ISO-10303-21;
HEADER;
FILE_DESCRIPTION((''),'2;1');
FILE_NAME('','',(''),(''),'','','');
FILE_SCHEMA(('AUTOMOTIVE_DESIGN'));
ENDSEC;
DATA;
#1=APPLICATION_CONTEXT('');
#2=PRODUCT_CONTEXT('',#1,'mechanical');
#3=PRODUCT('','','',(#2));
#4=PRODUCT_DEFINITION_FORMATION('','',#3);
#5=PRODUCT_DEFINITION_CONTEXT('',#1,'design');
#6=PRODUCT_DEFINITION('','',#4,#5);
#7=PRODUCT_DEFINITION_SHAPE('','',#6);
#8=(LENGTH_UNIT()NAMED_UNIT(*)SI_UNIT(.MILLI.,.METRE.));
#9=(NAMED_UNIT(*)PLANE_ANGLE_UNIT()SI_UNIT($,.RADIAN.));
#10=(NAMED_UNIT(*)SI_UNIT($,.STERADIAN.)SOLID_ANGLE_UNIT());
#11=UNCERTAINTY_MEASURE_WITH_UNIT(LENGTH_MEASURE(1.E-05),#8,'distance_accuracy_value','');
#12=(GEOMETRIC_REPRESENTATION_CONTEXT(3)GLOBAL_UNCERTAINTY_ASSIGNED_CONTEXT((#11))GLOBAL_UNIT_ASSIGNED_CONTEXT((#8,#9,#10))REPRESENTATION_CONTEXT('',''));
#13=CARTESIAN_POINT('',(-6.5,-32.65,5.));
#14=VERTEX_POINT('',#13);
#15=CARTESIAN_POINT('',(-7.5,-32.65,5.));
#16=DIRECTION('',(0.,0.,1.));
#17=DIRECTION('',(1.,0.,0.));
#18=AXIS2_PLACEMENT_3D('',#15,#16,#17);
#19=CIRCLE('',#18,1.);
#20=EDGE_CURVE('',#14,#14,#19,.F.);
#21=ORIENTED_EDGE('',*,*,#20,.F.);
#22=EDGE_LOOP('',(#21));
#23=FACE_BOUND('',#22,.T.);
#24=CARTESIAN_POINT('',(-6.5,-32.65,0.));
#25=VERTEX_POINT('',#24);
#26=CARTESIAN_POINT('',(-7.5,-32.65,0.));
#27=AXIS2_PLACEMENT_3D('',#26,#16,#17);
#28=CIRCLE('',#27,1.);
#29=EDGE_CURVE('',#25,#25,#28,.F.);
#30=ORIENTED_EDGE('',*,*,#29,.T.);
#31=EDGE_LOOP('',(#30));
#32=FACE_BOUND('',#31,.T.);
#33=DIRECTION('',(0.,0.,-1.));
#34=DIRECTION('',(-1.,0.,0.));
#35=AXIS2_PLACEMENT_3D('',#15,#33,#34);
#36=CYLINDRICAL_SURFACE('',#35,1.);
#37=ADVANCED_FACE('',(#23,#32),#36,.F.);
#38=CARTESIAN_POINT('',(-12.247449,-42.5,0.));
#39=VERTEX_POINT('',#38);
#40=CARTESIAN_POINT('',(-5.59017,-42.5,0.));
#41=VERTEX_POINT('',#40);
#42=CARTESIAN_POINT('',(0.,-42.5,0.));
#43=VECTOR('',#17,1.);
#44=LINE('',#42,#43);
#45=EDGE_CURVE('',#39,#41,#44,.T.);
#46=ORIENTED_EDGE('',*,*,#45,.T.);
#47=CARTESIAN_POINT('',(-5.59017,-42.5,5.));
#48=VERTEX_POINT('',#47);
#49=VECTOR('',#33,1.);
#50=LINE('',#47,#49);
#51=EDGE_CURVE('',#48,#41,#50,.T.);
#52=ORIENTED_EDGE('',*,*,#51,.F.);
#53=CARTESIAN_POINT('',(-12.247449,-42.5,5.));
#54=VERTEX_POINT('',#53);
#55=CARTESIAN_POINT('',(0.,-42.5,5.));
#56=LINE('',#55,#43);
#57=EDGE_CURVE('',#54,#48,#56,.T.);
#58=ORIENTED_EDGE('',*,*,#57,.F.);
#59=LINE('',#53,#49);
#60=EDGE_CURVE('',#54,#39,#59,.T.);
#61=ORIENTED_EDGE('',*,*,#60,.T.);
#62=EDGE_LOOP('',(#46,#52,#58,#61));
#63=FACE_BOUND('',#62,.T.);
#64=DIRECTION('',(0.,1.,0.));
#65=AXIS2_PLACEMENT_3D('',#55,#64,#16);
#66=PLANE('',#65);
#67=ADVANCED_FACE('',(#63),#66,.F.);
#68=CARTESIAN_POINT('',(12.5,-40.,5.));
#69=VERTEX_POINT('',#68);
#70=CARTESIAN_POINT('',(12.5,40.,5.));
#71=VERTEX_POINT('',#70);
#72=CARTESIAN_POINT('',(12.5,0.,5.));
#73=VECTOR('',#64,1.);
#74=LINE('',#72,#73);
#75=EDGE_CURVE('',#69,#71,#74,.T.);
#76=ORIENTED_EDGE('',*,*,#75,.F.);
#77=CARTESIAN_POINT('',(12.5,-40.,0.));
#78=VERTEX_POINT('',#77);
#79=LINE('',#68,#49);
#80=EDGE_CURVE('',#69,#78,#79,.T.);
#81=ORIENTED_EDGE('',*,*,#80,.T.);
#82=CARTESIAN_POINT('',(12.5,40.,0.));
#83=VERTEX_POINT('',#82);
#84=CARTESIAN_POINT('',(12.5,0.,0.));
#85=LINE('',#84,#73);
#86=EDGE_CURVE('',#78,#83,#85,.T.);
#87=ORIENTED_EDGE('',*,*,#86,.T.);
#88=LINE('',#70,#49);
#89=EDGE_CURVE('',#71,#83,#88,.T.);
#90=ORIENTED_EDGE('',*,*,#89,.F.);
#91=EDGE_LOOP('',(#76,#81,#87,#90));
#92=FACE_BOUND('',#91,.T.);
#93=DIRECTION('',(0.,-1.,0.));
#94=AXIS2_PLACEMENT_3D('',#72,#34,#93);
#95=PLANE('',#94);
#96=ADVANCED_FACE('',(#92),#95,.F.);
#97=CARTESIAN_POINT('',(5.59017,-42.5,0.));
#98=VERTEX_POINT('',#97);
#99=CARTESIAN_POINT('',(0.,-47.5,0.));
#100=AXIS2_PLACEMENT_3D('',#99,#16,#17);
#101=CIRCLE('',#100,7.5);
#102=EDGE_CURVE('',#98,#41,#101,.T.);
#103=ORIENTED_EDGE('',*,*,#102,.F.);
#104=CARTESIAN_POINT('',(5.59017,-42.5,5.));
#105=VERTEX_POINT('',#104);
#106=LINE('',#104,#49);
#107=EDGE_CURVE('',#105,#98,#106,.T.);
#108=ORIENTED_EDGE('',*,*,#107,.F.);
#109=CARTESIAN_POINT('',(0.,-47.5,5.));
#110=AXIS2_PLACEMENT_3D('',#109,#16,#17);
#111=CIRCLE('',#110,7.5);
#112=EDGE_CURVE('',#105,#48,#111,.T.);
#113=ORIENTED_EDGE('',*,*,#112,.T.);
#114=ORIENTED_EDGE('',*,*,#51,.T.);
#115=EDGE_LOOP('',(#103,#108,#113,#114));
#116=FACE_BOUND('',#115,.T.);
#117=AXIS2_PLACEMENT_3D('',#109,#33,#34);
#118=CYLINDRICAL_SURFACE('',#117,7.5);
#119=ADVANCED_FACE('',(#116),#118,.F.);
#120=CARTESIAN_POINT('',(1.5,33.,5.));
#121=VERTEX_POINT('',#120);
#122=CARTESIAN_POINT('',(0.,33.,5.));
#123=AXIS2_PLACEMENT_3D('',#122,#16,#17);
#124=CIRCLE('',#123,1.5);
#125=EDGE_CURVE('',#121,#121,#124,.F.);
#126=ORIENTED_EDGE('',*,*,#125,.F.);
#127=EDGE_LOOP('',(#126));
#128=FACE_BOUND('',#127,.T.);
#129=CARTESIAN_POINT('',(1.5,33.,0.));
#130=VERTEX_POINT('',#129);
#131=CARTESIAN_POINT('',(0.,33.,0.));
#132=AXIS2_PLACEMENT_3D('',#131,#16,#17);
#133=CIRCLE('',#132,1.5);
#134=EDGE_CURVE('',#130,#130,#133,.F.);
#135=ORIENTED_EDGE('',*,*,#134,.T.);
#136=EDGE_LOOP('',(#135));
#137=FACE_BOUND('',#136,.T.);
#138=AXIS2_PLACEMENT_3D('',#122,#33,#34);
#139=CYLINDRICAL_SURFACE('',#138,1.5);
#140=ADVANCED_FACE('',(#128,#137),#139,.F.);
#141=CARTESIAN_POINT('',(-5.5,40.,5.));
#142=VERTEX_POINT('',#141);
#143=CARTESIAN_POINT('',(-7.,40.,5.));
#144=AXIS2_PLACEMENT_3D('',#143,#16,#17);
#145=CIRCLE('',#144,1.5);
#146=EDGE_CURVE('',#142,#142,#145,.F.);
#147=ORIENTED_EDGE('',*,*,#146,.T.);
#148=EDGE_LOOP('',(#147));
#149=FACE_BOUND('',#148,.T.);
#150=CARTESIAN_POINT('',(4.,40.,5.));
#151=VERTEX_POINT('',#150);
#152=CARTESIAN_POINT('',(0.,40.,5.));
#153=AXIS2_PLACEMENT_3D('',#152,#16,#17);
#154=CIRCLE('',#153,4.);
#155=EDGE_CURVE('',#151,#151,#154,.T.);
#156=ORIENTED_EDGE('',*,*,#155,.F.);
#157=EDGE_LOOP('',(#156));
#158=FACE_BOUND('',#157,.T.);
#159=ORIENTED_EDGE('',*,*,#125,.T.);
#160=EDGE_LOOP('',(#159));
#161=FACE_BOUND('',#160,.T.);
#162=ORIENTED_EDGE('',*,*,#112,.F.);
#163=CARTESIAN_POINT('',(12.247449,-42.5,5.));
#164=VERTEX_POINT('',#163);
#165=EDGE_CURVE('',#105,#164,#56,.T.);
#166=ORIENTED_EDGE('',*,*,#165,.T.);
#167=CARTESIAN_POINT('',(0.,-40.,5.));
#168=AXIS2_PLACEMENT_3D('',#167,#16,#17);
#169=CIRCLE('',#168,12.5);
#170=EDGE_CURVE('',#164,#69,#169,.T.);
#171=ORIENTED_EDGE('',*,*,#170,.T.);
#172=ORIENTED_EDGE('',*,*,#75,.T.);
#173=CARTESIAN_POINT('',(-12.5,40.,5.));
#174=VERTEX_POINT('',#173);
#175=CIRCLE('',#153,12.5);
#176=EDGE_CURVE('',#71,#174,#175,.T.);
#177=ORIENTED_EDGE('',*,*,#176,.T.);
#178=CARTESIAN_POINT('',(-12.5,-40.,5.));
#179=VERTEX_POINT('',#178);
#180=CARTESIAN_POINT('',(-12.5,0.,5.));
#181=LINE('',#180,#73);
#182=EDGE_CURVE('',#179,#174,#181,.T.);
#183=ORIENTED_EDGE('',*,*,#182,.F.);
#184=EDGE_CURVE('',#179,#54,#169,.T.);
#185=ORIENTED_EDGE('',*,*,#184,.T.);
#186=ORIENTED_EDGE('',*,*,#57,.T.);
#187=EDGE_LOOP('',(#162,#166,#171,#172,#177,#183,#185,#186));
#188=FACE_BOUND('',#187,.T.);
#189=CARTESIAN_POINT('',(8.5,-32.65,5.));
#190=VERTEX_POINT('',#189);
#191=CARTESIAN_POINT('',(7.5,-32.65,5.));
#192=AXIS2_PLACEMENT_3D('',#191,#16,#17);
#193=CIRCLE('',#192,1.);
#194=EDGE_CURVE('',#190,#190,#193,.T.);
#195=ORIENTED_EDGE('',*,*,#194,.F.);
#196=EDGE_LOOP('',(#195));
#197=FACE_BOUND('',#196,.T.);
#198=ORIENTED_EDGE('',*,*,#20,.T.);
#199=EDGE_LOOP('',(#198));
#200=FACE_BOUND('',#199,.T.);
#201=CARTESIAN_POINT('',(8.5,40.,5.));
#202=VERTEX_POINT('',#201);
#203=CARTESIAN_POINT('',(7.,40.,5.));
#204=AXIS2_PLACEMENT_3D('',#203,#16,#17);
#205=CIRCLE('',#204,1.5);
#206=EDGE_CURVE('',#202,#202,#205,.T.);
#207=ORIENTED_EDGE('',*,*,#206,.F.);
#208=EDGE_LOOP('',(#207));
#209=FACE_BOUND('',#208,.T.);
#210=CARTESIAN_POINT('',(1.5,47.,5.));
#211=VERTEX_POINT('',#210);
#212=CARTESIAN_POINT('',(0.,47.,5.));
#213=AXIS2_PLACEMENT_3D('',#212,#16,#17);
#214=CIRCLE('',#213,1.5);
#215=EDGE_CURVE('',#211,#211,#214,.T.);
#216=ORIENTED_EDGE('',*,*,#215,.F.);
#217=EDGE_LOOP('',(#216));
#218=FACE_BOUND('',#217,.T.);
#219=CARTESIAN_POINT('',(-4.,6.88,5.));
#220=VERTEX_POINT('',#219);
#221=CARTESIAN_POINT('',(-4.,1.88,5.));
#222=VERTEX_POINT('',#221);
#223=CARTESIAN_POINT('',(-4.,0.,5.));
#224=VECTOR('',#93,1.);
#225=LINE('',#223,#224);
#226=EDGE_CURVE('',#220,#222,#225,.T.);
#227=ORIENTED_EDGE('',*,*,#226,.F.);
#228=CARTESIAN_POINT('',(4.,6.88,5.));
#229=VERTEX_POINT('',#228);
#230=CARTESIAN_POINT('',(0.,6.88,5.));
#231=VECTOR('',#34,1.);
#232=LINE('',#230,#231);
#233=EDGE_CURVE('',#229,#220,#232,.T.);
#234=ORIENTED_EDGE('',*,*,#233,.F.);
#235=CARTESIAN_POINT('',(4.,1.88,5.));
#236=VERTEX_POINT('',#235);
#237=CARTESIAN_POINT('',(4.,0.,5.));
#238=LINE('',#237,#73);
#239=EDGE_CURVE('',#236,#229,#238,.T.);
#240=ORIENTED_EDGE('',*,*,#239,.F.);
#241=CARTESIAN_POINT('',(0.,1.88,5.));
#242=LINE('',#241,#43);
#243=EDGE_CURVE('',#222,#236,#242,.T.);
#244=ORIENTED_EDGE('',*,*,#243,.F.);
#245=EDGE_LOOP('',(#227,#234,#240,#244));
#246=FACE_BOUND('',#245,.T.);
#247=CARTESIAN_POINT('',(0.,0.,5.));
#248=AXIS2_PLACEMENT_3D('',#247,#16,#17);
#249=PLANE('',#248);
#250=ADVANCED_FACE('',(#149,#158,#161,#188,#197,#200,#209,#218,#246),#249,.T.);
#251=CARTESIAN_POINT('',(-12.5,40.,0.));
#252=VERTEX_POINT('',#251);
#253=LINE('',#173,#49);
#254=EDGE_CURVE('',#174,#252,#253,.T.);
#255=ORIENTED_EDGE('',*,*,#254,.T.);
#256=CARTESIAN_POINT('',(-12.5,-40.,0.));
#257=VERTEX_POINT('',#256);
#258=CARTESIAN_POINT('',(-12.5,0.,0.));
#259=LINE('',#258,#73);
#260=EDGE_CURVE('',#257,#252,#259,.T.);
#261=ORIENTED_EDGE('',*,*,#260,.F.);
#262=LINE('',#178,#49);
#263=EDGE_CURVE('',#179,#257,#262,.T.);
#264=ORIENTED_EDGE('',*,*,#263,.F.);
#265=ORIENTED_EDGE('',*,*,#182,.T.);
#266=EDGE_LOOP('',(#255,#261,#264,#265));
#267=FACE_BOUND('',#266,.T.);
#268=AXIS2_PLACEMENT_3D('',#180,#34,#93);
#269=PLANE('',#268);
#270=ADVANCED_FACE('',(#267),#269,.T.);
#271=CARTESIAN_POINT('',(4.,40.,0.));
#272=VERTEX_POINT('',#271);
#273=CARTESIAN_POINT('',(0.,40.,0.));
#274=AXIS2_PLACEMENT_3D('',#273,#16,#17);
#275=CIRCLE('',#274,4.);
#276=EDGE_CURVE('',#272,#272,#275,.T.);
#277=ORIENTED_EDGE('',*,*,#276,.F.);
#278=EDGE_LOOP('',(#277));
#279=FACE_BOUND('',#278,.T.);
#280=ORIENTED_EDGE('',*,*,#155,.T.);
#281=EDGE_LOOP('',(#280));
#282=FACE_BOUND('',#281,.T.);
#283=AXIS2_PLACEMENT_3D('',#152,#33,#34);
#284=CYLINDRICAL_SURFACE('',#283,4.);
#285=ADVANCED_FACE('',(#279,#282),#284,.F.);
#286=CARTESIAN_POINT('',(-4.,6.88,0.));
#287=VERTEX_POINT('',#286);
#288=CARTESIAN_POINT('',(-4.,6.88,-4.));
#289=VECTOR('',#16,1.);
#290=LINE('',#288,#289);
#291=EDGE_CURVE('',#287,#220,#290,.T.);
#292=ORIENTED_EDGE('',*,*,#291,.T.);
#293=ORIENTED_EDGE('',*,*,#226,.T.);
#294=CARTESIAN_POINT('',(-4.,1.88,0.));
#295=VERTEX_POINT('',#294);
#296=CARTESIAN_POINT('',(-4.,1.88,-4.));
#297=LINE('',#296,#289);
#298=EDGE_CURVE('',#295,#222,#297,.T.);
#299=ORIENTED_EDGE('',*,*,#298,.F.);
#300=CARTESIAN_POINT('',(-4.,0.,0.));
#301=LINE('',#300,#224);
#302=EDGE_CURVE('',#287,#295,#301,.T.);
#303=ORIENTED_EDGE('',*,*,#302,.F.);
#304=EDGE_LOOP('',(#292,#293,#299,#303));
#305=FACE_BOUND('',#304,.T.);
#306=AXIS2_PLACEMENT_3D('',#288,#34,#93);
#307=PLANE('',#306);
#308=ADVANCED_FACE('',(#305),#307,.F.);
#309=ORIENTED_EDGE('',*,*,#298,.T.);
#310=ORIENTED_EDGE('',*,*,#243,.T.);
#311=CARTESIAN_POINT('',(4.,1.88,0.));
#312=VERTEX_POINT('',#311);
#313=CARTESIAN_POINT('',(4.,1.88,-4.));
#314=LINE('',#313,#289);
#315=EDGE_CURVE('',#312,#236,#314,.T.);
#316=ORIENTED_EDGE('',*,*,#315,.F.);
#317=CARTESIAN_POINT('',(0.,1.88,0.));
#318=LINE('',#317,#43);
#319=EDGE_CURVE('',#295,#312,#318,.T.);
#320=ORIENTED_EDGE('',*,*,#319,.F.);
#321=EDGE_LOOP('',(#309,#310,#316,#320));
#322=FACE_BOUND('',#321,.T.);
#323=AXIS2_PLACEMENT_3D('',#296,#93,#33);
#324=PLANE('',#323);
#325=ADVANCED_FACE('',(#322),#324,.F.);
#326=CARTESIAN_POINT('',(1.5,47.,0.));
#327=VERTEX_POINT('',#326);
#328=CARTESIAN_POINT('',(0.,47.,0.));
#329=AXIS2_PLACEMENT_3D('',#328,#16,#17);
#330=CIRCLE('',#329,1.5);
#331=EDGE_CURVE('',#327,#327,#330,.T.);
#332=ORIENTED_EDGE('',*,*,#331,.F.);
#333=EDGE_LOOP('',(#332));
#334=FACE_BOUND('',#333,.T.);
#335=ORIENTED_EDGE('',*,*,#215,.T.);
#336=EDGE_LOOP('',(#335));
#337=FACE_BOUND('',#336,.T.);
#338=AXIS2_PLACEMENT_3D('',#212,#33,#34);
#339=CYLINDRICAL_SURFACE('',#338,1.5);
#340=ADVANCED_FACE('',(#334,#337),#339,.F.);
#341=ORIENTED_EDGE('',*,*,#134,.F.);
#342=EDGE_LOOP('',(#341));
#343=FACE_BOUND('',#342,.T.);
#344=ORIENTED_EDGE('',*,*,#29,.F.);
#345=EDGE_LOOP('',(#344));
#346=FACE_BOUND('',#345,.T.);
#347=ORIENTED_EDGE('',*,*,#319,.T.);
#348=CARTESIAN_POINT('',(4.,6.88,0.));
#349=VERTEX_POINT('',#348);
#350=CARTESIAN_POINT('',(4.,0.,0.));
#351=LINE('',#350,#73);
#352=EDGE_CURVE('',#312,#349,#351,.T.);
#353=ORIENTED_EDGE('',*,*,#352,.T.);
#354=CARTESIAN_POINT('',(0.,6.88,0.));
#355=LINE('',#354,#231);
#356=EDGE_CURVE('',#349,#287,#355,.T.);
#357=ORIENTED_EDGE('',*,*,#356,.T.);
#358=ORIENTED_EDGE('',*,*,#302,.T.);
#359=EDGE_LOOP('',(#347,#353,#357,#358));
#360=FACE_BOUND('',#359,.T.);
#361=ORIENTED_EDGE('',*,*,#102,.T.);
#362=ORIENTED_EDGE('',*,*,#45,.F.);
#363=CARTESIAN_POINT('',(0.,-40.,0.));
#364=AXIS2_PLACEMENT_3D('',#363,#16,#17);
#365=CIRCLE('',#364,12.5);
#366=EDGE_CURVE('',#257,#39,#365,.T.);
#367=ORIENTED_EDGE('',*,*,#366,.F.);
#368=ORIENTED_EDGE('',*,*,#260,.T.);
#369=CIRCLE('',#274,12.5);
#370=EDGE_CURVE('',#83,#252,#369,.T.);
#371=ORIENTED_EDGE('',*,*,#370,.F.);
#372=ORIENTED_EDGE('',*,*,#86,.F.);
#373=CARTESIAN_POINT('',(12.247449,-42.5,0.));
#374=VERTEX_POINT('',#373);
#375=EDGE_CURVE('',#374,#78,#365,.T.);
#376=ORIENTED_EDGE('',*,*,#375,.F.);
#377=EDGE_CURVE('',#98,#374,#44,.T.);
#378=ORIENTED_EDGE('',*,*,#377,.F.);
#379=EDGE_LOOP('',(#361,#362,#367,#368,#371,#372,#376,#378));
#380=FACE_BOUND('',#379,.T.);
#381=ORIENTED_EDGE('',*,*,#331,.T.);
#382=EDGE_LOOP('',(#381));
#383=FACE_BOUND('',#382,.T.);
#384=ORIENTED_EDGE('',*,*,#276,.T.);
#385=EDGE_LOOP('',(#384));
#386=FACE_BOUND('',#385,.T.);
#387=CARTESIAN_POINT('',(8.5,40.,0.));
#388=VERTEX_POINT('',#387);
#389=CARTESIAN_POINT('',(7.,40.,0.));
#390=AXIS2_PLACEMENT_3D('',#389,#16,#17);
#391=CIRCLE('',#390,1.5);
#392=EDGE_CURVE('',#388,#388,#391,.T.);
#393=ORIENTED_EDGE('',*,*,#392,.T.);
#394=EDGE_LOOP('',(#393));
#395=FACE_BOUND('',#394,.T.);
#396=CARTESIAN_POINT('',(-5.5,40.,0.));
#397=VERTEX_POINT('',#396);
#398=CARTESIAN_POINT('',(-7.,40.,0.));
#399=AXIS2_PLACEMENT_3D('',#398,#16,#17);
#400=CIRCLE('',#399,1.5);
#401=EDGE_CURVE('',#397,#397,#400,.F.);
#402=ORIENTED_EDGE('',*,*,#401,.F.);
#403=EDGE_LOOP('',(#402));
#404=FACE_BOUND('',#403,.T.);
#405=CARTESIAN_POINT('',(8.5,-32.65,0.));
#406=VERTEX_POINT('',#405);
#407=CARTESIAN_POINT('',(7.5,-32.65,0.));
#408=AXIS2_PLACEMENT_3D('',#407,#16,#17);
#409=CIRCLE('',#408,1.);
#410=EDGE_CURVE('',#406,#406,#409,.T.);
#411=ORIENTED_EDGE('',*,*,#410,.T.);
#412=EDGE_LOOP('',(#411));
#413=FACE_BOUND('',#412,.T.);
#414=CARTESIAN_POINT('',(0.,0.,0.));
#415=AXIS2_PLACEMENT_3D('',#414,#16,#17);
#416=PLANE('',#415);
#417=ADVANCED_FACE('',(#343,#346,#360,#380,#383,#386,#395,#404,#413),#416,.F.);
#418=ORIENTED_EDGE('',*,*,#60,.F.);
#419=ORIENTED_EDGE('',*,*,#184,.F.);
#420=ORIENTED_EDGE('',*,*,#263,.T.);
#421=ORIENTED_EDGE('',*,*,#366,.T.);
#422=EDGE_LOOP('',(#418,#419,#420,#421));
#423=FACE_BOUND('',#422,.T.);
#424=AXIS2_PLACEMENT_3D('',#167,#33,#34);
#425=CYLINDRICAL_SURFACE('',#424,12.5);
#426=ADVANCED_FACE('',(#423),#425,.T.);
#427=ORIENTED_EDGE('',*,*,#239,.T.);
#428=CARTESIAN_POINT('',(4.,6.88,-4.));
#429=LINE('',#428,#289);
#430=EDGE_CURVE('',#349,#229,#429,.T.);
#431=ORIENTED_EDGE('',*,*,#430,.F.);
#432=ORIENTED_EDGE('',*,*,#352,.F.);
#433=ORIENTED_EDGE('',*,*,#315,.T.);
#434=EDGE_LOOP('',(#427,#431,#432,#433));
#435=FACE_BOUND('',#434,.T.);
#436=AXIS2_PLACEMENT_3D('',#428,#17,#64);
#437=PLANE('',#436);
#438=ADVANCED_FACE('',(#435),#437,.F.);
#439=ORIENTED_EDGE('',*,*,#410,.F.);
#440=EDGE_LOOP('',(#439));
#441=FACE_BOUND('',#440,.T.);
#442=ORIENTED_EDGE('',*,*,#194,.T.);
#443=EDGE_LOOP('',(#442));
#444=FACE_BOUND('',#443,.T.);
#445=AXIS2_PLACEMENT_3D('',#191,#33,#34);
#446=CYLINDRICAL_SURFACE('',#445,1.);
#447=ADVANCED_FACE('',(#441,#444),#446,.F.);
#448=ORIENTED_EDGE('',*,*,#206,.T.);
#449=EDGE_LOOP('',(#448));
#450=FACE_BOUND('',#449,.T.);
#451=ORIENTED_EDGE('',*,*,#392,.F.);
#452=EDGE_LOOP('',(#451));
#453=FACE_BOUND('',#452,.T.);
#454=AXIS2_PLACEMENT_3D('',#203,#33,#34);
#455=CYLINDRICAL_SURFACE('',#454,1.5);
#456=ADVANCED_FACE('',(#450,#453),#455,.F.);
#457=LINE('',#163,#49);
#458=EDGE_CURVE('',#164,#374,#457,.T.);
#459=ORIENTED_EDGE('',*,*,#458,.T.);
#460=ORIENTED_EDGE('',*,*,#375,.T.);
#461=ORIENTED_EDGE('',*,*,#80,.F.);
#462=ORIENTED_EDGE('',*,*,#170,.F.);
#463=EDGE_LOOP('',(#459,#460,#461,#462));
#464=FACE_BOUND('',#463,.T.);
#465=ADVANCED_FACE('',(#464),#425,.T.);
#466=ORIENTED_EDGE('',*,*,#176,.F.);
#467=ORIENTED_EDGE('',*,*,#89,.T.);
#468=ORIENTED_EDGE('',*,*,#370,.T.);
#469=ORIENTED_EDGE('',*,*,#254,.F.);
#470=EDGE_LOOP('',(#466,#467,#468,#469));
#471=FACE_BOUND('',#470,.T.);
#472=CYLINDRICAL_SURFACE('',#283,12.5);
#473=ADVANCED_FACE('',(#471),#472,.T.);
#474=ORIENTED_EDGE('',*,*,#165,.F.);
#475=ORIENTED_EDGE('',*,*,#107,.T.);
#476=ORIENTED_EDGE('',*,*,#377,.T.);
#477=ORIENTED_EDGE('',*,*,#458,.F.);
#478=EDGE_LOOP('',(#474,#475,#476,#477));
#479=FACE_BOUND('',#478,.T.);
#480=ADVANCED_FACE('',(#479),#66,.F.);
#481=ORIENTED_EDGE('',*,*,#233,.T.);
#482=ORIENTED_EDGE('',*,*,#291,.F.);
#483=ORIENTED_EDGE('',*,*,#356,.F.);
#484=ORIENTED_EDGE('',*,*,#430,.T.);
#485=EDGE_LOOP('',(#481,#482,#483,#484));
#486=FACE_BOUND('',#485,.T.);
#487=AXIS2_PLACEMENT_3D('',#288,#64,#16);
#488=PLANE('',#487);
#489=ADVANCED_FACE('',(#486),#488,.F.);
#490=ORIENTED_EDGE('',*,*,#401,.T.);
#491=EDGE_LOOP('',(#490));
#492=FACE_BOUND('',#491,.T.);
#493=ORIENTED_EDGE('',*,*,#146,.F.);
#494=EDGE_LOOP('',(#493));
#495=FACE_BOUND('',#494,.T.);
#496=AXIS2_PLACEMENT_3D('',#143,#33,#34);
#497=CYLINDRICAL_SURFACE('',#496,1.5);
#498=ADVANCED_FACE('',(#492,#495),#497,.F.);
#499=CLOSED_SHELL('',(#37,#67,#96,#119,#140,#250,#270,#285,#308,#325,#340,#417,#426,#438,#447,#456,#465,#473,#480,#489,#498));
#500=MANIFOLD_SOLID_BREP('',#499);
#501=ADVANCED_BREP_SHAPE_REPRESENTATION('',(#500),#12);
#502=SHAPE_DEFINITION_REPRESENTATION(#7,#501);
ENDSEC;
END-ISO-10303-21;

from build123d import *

# Parameters (mm, degrees)
SKETCH1_R           = 1
SKETCH1_R_2         = 1.5
SKETCH1_R_3         = 4
BOSS_EXTRUDE2_DEPTH = 5
SKETCH2_W           = 8
SKETCH2_H           = 5
CUT_EXTRUDE1_DEPTH  = 10


with BuildPart() as part:
    # Sketch1 → Boss-Extrude2 (new body)
    with BuildSketch(Plane.XY):
        with BuildLine():
            Line((-12.5, 40), (-12.5, -40))
            ThreePointArc((-12.5, -40), (-12.436701913, -41.256362025), (-12.247448714, -42.5))
            Line((-12.247448714, -42.5), (-5.590169944, -42.5))
            ThreePointArc((-5.590169944, -42.5), (0, -40), (5.590169944, -42.5))
            Line((5.590169944, -42.5), (12.247448714, -42.5))
            ThreePointArc((12.247448714, -42.5), (12.436701913, -41.256362025), (12.5, -40))
            Line((12.5, -40), (12.5, 40))
            ThreePointArc((12.5, 40), (0, 52.5), (-12.5, 40))
        make_face()
        with Locations((-7.5, -32.65)):
            Circle(SKETCH1_R, mode=Mode.SUBTRACT)
        with Locations((7.5, -32.65)):
            Circle(SKETCH1_R, mode=Mode.SUBTRACT)
        with Locations((-7, 40)):
            Circle(SKETCH1_R_2, mode=Mode.SUBTRACT)
        with Locations((0, 40)):
            Circle(SKETCH1_R_3, mode=Mode.SUBTRACT)
        with Locations((0, 33)):
            Circle(SKETCH1_R_2, mode=Mode.SUBTRACT)
        with Locations((0, 47)):
            Circle(SKETCH1_R_2, mode=Mode.SUBTRACT)
        with Locations((7, 40)):
            Circle(SKETCH1_R_2, mode=Mode.SUBTRACT)
    extrude(amount=BOSS_EXTRUDE2_DEPTH)

    # Sketch2 → Cut-Extrude1 (cut)
    with BuildSketch(Plane.XY.offset(6)):
        with Locations((0, 4.38)):
            Rectangle(SKETCH2_W, SKETCH2_H)
    extrude(amount=-CUT_EXTRUDE1_DEPTH, mode=Mode.SUBTRACT)


solid = part.part
